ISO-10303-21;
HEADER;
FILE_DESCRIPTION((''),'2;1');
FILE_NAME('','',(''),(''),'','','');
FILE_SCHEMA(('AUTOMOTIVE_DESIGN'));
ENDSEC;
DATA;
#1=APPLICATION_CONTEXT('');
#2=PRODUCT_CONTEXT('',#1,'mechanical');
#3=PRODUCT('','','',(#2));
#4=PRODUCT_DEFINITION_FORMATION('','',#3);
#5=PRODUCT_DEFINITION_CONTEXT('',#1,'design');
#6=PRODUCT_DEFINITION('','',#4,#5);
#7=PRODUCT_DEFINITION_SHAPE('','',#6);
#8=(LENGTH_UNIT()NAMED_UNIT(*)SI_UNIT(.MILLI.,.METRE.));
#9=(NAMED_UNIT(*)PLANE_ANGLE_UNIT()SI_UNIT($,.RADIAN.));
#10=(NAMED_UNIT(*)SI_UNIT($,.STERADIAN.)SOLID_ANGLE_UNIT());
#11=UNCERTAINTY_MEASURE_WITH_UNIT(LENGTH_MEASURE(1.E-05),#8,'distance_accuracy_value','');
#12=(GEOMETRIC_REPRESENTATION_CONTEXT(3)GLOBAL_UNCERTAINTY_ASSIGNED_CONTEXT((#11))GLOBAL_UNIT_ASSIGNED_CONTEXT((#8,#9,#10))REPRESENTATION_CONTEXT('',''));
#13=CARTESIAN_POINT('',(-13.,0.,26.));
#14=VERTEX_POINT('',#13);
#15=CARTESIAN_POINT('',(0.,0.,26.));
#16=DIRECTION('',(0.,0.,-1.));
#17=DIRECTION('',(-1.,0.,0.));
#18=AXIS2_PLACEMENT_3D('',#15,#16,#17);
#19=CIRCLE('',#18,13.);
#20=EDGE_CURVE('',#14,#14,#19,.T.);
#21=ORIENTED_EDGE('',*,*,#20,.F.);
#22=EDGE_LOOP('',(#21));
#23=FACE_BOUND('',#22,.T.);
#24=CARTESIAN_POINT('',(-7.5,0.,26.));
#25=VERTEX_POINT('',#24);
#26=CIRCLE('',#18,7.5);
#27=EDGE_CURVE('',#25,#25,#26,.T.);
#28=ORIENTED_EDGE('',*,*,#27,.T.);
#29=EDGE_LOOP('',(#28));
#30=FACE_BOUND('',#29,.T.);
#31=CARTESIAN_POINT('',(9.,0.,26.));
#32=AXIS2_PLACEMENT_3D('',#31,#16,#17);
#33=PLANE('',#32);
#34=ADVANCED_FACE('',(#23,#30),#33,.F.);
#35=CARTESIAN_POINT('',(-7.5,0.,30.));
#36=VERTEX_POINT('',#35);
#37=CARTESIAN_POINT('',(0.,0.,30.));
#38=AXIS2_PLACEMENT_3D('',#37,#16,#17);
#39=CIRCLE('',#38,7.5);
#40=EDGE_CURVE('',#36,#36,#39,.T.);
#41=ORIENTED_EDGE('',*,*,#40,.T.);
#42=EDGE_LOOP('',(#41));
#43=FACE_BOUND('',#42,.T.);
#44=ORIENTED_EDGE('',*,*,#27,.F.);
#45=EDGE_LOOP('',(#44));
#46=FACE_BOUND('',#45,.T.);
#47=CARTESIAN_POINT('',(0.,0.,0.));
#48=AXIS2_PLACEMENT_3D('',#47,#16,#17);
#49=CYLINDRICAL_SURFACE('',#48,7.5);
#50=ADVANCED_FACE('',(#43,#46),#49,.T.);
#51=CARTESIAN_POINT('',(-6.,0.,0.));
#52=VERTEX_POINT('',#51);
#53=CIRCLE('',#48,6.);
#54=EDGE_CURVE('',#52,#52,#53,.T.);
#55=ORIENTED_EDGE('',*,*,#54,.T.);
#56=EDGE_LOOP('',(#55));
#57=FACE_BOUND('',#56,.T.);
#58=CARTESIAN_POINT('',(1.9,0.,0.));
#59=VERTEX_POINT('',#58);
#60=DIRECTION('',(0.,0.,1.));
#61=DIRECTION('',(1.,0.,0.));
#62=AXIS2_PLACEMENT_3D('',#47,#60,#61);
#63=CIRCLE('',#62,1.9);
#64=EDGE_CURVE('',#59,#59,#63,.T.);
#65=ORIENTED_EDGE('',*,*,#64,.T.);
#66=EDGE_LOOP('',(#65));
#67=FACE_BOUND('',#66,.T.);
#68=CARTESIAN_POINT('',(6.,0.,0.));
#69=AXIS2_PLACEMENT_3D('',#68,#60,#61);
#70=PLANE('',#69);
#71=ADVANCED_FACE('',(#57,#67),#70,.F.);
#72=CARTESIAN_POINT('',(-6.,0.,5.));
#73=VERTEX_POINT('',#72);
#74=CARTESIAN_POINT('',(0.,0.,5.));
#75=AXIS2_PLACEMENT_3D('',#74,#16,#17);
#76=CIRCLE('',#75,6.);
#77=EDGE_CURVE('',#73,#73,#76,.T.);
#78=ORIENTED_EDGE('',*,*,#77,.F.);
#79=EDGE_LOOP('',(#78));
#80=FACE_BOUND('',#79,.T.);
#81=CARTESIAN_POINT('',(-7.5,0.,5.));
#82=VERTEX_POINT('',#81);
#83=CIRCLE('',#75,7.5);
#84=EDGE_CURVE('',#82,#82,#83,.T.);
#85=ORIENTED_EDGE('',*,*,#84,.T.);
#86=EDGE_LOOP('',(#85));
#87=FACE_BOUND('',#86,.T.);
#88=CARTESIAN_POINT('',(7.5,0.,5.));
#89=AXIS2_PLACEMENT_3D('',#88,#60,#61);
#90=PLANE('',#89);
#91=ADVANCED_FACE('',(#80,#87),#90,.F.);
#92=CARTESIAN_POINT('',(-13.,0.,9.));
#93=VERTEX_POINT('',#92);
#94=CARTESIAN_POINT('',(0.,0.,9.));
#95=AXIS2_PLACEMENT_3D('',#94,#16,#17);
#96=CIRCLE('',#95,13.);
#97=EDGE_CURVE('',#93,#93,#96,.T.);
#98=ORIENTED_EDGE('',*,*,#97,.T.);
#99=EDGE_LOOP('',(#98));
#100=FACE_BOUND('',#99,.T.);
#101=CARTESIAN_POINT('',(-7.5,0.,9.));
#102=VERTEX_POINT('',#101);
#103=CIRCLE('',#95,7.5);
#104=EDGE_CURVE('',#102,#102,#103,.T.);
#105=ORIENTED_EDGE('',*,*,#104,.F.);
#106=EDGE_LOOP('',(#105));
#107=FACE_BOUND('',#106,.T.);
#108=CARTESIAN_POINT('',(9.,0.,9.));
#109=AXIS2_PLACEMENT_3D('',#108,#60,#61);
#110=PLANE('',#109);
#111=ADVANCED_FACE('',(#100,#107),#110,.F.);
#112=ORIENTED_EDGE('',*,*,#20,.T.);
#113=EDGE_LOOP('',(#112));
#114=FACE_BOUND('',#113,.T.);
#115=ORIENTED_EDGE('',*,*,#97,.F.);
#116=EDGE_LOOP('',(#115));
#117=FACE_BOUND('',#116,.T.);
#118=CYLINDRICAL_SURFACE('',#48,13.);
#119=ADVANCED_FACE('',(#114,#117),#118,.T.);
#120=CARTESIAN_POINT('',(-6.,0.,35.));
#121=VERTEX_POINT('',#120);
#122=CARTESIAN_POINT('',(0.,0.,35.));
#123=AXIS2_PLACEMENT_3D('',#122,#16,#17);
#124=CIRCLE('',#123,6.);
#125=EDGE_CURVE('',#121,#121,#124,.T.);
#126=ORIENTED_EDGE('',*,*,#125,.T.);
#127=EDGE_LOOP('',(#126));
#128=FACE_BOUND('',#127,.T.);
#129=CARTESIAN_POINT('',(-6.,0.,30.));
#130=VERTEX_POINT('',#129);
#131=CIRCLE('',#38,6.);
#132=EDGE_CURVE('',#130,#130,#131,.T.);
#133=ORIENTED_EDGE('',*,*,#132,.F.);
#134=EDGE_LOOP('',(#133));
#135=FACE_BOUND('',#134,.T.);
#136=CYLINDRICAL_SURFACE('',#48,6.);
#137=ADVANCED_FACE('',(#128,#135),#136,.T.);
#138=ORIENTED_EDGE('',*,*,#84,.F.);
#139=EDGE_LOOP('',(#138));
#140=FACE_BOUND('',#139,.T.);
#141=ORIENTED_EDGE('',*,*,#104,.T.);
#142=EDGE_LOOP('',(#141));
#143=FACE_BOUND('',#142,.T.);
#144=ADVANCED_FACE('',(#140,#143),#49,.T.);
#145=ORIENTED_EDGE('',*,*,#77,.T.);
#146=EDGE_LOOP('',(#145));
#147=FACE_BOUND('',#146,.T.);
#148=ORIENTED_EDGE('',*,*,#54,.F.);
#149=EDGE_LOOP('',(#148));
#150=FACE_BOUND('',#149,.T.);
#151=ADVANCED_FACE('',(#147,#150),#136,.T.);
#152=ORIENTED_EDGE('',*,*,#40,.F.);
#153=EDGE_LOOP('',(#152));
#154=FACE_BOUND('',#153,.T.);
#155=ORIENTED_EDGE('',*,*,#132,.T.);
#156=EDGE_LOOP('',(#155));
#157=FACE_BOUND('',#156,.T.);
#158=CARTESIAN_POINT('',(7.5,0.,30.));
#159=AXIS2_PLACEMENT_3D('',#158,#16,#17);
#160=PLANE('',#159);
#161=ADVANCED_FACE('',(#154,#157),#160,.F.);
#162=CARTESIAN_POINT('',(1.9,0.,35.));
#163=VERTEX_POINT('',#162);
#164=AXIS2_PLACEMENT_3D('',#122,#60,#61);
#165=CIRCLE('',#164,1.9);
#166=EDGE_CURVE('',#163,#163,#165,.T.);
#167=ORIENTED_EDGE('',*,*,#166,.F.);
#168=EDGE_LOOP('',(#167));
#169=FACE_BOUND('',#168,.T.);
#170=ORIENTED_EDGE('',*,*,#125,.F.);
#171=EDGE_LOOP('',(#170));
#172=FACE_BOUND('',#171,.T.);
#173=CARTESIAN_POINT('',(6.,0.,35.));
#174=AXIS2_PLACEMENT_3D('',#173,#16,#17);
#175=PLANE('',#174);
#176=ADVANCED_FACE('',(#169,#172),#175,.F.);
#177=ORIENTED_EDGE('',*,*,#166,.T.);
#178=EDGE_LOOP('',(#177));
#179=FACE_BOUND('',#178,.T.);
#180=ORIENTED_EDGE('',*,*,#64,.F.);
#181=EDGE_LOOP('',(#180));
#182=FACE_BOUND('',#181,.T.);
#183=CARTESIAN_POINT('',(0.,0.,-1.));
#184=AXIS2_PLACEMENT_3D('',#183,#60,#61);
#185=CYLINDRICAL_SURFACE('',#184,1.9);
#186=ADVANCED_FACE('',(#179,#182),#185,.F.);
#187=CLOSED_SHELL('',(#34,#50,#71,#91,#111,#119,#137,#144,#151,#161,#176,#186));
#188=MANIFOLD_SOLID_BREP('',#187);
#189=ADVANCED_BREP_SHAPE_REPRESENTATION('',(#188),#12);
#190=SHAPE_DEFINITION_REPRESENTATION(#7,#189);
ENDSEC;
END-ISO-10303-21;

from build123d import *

# Parameters (mm, degrees)
SKETCH_2_R          = 1.9
CUT_EXTRUDE_1_DEPTH = 36


with BuildPart() as part:
    # 草图1 → 旋转1 (revolve)
    with BuildSketch(Plane(origin=(0, 0, 0), x_dir=(1, 0, 0), z_dir=(0, 1, 0)), mode=Mode.PRIVATE) as revolve_1_sk:
        Polygon((0, -1e-09), (0, -35), (6, -35), (6, -30), (7.5, -30), (7.5, -26), (9, -26), (13, -26), (13, -9), (9, -9), (7.5, -9), (7.5, -5), (6, -5), (6, -1e-09), align=None)
    revolve(revolve_1_sk.sketch.rotate(Axis((0, 0, 1e-09), (0, 0, 1)), 180), axis=Axis((0, 0, 1e-09), (0, 0, 1)))

    # 草图2 → 切除-拉伸1 (cut)
    with BuildSketch(Plane.XY.offset(35)):
        Circle(SKETCH_2_R)
    extrude(amount=-CUT_EXTRUDE_1_DEPTH, mode=Mode.SUBTRACT)


solid = part.part
